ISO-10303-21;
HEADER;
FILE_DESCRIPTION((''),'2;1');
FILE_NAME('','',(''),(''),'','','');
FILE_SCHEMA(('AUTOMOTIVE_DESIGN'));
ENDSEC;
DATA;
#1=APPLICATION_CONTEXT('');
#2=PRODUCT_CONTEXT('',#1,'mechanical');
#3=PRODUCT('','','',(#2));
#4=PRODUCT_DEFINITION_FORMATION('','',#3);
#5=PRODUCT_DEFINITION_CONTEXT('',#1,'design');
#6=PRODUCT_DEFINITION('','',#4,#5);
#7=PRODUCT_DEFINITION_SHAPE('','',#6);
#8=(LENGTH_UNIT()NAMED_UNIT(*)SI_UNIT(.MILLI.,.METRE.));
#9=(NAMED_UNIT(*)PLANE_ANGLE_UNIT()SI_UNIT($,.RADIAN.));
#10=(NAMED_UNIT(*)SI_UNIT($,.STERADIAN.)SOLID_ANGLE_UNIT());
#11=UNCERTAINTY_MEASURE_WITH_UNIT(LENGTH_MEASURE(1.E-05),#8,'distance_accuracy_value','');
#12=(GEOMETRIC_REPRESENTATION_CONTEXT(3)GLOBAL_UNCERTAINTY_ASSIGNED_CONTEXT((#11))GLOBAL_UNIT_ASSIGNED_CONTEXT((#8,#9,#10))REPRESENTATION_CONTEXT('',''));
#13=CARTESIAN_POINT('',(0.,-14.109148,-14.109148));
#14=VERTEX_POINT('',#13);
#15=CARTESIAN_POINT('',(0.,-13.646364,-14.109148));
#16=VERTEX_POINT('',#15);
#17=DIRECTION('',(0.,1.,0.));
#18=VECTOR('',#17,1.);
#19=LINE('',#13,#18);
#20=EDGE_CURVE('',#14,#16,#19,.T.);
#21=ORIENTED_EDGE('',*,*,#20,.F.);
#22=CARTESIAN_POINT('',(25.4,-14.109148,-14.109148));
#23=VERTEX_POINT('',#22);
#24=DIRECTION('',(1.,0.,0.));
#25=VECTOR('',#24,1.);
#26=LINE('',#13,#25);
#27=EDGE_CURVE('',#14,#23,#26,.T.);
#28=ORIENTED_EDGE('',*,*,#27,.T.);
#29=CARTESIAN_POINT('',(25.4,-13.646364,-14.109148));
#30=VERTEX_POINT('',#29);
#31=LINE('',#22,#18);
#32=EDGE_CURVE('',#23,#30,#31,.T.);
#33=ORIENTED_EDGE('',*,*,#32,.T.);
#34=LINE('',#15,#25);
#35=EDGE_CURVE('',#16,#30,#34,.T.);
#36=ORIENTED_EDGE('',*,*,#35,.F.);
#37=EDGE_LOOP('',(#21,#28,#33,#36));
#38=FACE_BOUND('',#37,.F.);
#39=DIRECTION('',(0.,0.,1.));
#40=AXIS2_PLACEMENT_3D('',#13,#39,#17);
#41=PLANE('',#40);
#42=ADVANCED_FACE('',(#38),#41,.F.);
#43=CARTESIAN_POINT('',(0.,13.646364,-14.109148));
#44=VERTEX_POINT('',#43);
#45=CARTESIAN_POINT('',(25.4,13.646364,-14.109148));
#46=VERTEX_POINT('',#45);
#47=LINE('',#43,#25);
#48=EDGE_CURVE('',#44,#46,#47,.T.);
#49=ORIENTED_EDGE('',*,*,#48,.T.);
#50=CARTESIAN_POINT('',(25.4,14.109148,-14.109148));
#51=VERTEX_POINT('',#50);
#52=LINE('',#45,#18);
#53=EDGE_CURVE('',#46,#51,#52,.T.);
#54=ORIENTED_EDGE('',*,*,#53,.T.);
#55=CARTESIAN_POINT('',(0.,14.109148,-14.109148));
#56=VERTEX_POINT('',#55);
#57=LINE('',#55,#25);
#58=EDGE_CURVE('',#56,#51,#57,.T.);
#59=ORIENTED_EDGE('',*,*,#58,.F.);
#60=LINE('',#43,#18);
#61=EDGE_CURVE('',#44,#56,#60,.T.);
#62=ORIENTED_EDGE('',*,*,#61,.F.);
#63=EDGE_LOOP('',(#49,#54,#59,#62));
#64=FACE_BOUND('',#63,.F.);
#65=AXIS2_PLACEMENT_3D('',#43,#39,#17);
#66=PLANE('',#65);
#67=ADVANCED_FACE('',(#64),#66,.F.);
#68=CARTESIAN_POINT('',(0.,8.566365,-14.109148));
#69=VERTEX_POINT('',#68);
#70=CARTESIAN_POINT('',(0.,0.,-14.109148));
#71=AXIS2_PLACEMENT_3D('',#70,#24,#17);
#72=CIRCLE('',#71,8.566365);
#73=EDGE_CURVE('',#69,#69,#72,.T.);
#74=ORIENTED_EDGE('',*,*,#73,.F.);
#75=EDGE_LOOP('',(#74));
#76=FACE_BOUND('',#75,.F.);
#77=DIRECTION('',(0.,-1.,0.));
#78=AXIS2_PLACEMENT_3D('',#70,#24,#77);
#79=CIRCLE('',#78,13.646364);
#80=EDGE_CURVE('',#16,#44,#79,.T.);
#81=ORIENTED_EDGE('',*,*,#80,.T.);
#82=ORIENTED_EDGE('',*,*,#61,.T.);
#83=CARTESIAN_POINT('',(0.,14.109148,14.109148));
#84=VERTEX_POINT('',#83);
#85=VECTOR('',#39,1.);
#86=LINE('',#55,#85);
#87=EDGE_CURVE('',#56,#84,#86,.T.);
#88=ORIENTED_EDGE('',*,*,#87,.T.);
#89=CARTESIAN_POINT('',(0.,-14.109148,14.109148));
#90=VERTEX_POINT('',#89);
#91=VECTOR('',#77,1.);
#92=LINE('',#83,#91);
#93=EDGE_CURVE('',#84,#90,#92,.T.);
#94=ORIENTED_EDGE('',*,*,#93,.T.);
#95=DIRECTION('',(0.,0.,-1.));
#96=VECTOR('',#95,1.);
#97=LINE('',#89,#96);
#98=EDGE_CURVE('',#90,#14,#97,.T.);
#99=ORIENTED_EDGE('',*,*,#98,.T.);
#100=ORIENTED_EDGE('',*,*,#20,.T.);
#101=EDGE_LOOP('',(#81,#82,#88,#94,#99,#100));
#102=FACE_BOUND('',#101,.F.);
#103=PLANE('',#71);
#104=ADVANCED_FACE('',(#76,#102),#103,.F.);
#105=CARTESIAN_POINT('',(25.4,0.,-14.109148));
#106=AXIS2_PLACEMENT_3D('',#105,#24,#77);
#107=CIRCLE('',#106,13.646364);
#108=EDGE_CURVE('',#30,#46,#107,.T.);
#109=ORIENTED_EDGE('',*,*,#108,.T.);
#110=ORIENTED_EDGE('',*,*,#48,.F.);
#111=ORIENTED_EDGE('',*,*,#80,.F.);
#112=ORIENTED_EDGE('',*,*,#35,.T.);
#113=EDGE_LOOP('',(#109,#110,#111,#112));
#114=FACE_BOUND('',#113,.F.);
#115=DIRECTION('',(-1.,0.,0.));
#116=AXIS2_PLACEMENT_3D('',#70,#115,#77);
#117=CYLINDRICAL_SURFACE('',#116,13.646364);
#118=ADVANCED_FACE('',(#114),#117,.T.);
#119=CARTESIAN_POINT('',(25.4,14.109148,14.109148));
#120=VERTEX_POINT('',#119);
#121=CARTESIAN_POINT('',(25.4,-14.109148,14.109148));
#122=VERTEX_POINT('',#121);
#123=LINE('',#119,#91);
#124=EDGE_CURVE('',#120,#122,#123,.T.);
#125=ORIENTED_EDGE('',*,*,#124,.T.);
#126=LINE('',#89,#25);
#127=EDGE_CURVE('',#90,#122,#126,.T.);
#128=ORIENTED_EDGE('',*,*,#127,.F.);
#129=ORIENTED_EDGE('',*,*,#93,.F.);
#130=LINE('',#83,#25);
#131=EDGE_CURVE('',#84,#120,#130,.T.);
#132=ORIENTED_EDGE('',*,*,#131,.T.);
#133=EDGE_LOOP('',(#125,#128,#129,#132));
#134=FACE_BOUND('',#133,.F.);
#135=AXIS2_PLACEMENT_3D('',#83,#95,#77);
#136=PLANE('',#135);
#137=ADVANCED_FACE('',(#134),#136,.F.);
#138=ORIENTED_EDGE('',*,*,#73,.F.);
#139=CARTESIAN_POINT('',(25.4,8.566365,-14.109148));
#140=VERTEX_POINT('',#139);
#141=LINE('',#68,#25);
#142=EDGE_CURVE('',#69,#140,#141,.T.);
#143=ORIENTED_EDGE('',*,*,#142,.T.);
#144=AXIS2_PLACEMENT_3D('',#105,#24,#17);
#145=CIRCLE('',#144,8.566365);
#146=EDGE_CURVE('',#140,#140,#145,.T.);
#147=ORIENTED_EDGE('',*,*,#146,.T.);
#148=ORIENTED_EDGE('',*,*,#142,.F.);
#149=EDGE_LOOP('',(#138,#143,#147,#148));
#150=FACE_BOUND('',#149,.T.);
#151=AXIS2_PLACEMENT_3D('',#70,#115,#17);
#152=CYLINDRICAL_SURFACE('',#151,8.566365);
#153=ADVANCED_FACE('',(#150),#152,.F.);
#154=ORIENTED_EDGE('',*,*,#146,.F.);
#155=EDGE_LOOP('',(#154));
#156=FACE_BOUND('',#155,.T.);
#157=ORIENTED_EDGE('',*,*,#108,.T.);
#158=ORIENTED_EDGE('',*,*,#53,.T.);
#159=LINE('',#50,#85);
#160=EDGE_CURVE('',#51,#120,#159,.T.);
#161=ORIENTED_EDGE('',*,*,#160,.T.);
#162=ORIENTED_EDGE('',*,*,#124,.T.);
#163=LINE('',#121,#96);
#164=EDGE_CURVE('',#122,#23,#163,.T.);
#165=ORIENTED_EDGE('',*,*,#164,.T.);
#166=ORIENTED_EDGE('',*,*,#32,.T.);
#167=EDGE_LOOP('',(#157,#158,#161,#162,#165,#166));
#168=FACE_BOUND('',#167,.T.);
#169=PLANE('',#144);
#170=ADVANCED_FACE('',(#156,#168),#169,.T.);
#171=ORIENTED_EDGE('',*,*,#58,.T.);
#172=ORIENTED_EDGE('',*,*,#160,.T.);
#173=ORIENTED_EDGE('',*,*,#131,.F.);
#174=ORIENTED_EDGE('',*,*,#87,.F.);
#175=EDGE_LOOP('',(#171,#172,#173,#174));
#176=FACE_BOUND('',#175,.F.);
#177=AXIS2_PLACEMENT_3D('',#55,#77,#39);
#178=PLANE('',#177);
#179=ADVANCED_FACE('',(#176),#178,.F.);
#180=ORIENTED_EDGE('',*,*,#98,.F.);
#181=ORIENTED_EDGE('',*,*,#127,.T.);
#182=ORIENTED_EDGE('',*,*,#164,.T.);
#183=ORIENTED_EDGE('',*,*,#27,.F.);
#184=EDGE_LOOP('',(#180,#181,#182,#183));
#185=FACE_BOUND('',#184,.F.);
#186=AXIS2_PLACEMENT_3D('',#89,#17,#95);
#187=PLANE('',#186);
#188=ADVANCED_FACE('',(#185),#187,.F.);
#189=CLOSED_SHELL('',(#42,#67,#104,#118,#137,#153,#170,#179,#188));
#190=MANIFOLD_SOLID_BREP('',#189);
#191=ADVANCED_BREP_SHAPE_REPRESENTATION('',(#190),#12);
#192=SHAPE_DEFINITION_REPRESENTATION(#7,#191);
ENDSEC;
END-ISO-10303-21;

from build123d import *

# Parameters (mm, degrees)
F0_R     = 8.566365
F1_DEPTH = 25.4


with BuildPart() as f1:
    # F0 (on Right) → F1 (new body)
    with BuildSketch(Plane.YZ):
        with BuildLine():
            ThreePointArc((-13.646364, -14.109148), (0, -27.755512), (13.646364, -14.109148))
            ThreePointArc((13.646364, -14.109148), (0, -0.462783), (-13.646364, -14.109148))
        make_face()
        with Locations((0, -14.109148)):
            Circle(F0_R, mode=Mode.SUBTRACT)
        with BuildLine():
            Line((14.109148, -14.109148), (14.109148, 14.109148))
            Line((14.109148, 14.109148), (-14.109148, 14.109148))
            Line((-14.109148, 14.109148), (-14.109148, -14.109148))
            Line((-14.109148, -14.109148), (-13.646364, -14.109148))
            ThreePointArc((-13.646364, -14.109148), (0, -0.462783), (13.646364, -14.109148))
            Line((13.646364, -14.109148), (14.109148, -14.109148))
        make_face()
    extrude(amount=F1_DEPTH)


solid = f1.part
